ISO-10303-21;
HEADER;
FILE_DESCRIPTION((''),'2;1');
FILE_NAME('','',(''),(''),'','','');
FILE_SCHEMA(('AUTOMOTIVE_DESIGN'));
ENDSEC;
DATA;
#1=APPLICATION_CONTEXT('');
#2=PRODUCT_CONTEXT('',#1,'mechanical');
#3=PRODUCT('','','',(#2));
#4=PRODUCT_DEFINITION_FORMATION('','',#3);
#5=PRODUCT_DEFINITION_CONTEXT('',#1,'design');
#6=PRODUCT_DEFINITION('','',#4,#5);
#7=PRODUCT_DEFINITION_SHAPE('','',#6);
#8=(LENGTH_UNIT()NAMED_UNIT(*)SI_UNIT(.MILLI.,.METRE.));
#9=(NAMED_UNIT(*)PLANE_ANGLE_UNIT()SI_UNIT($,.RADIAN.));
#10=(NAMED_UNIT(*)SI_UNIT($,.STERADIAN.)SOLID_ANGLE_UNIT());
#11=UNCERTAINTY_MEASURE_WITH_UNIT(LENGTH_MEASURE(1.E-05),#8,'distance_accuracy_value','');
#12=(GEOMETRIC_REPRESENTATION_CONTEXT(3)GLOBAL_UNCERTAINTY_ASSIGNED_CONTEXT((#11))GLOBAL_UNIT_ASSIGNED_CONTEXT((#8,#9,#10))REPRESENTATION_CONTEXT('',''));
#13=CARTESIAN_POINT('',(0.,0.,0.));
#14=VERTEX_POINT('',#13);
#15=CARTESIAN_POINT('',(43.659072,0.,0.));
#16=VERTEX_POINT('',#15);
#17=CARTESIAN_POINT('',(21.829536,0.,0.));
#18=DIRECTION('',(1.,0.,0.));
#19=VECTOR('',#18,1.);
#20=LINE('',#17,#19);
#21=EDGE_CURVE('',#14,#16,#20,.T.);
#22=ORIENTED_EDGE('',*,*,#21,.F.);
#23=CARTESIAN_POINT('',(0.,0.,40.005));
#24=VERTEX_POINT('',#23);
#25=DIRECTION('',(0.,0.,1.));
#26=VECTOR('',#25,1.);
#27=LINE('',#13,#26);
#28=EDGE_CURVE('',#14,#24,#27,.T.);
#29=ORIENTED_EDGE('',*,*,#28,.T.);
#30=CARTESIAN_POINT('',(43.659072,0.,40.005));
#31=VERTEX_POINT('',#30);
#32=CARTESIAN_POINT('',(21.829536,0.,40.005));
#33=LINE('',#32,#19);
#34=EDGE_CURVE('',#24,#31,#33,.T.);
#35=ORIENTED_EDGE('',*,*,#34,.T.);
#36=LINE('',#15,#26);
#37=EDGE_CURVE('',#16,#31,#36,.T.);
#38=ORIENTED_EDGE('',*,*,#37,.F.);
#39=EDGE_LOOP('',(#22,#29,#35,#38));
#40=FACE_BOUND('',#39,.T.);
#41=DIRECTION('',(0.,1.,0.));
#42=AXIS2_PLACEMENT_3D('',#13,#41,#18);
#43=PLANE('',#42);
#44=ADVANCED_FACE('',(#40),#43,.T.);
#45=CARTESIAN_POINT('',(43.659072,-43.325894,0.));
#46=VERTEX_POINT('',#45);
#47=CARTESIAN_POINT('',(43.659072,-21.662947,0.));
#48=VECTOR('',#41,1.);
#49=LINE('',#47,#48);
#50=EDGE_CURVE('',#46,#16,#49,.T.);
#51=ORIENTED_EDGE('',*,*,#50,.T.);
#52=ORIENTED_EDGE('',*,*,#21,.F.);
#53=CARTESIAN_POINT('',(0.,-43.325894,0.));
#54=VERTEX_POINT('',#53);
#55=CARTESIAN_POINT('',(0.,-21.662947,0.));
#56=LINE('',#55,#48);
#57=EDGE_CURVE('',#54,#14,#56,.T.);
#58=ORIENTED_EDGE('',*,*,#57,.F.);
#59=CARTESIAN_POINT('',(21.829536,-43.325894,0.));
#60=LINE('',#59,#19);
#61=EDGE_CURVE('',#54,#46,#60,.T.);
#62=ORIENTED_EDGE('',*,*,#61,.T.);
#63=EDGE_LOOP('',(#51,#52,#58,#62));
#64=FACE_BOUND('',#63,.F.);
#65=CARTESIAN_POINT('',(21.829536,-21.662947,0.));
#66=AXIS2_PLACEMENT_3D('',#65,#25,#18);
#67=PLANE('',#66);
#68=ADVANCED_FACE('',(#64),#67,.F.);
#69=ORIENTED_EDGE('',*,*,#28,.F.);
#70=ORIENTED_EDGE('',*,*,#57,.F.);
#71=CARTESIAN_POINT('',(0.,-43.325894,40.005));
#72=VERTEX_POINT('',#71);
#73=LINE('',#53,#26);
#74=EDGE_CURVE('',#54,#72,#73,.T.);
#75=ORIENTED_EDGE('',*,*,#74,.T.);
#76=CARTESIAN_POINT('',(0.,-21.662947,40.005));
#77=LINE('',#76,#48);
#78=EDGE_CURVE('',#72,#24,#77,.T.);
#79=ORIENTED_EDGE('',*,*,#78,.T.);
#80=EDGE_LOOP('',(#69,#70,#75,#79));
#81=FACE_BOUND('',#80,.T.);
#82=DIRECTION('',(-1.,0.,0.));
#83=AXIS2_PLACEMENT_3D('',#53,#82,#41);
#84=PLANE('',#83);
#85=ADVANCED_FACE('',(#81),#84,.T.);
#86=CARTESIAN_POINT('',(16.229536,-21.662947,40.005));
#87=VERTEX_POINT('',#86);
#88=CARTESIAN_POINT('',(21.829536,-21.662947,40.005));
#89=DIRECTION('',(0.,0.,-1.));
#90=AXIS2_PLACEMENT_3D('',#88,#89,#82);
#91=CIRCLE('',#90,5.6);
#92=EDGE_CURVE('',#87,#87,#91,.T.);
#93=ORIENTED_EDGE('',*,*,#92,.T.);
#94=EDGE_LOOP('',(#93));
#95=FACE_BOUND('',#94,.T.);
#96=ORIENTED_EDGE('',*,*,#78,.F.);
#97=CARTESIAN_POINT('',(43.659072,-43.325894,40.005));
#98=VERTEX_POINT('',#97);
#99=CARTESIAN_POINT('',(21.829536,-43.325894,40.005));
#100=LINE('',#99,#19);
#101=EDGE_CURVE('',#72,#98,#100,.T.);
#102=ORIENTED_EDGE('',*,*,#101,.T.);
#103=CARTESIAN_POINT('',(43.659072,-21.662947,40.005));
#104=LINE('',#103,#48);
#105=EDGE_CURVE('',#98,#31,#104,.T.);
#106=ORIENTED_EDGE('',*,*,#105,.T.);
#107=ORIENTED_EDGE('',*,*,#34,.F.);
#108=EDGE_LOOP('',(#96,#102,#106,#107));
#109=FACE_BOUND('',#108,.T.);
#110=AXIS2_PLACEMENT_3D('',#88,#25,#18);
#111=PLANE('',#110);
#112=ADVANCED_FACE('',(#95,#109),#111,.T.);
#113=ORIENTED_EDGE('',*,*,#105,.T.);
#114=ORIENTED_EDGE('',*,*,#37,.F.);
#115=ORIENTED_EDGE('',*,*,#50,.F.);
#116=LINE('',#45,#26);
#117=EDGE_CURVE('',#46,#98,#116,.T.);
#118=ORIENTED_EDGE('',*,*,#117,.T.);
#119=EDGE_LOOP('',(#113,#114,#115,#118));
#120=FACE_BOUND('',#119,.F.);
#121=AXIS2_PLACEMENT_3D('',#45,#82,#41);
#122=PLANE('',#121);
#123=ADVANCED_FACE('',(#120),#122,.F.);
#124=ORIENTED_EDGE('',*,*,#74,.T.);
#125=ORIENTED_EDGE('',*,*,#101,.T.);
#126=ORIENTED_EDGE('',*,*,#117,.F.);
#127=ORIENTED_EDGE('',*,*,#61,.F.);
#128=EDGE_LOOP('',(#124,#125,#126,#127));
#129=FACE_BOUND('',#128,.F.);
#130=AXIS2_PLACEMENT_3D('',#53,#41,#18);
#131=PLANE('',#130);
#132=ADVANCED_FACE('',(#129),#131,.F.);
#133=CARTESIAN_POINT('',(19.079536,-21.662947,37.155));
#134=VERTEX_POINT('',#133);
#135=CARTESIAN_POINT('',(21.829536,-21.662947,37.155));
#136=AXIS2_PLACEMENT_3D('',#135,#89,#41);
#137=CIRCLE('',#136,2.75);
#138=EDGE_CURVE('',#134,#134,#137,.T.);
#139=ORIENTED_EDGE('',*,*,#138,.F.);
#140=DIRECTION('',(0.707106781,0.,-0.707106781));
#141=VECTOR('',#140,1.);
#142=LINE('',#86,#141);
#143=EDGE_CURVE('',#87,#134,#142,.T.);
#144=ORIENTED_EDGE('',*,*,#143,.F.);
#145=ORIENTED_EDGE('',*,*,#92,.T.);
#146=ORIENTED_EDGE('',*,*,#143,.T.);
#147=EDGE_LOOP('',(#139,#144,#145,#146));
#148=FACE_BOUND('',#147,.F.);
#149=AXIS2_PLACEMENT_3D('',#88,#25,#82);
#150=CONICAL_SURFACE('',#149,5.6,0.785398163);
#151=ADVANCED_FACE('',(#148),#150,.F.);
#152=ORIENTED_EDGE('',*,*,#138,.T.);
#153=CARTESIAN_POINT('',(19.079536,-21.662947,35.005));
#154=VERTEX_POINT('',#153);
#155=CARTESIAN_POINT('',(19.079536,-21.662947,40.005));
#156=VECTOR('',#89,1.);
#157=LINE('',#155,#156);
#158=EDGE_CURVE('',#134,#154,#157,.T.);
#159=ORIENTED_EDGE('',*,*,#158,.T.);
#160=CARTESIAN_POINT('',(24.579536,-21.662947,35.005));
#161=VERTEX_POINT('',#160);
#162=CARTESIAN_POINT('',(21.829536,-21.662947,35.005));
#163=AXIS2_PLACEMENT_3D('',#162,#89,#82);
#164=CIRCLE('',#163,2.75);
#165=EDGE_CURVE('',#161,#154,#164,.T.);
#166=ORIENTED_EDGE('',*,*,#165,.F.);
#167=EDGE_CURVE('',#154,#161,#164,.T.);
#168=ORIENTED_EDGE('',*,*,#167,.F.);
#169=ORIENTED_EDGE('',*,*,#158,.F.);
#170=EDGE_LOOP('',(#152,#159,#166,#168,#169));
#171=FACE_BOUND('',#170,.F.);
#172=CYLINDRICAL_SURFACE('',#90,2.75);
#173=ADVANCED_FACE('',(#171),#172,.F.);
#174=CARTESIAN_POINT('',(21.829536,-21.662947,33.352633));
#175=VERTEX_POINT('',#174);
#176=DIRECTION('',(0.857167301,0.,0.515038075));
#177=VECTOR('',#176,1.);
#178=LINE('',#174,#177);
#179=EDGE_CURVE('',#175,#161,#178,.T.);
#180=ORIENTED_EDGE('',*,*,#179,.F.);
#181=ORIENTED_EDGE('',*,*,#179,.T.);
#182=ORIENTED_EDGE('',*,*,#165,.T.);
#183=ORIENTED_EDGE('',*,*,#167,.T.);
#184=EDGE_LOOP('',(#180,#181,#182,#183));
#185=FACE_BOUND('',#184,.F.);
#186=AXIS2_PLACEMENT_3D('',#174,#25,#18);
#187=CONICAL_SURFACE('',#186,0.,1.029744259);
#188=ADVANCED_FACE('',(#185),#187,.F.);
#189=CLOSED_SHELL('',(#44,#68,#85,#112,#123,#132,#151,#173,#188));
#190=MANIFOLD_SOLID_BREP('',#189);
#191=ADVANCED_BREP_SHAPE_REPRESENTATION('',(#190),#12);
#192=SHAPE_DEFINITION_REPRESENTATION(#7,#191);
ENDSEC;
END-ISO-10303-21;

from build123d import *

# Parameters (mm, degrees)
F0_W           = 43.6590723693
F0_H           = 43.3258935809
F1_DEPTH       = 40.005
F3_D           = 5.5
F3_DEPTH       = 5
F3_CSINK_D     = 11.2
F3_CSINK_ANGLE = 90
F3_TIP         = 1.6523667023


with BuildPart() as f1:
    # F0 (on Top) → F1 (new body)
    with BuildSketch(Plane.XY):
        with Locations((21.8295361847, -21.6629467905)):
            Rectangle(F0_W, F0_H)
    extrude(amount=F1_DEPTH)

    # F3
    with Locations(Plane.XY.offset(40.005)):
        with Locations((21.8295361847, -21.6629467905)):
            CounterSinkHole(F3_D / 2, F3_CSINK_D / 2, depth=F3_DEPTH, counter_sink_angle=F3_CSINK_ANGLE)
            with Locations((0, 0, -(F3_DEPTH + F3_TIP / 2))):  # 118° drill point
                Cone(0, F3_D / 2, F3_TIP, mode=Mode.SUBTRACT)


solid = f1.part
